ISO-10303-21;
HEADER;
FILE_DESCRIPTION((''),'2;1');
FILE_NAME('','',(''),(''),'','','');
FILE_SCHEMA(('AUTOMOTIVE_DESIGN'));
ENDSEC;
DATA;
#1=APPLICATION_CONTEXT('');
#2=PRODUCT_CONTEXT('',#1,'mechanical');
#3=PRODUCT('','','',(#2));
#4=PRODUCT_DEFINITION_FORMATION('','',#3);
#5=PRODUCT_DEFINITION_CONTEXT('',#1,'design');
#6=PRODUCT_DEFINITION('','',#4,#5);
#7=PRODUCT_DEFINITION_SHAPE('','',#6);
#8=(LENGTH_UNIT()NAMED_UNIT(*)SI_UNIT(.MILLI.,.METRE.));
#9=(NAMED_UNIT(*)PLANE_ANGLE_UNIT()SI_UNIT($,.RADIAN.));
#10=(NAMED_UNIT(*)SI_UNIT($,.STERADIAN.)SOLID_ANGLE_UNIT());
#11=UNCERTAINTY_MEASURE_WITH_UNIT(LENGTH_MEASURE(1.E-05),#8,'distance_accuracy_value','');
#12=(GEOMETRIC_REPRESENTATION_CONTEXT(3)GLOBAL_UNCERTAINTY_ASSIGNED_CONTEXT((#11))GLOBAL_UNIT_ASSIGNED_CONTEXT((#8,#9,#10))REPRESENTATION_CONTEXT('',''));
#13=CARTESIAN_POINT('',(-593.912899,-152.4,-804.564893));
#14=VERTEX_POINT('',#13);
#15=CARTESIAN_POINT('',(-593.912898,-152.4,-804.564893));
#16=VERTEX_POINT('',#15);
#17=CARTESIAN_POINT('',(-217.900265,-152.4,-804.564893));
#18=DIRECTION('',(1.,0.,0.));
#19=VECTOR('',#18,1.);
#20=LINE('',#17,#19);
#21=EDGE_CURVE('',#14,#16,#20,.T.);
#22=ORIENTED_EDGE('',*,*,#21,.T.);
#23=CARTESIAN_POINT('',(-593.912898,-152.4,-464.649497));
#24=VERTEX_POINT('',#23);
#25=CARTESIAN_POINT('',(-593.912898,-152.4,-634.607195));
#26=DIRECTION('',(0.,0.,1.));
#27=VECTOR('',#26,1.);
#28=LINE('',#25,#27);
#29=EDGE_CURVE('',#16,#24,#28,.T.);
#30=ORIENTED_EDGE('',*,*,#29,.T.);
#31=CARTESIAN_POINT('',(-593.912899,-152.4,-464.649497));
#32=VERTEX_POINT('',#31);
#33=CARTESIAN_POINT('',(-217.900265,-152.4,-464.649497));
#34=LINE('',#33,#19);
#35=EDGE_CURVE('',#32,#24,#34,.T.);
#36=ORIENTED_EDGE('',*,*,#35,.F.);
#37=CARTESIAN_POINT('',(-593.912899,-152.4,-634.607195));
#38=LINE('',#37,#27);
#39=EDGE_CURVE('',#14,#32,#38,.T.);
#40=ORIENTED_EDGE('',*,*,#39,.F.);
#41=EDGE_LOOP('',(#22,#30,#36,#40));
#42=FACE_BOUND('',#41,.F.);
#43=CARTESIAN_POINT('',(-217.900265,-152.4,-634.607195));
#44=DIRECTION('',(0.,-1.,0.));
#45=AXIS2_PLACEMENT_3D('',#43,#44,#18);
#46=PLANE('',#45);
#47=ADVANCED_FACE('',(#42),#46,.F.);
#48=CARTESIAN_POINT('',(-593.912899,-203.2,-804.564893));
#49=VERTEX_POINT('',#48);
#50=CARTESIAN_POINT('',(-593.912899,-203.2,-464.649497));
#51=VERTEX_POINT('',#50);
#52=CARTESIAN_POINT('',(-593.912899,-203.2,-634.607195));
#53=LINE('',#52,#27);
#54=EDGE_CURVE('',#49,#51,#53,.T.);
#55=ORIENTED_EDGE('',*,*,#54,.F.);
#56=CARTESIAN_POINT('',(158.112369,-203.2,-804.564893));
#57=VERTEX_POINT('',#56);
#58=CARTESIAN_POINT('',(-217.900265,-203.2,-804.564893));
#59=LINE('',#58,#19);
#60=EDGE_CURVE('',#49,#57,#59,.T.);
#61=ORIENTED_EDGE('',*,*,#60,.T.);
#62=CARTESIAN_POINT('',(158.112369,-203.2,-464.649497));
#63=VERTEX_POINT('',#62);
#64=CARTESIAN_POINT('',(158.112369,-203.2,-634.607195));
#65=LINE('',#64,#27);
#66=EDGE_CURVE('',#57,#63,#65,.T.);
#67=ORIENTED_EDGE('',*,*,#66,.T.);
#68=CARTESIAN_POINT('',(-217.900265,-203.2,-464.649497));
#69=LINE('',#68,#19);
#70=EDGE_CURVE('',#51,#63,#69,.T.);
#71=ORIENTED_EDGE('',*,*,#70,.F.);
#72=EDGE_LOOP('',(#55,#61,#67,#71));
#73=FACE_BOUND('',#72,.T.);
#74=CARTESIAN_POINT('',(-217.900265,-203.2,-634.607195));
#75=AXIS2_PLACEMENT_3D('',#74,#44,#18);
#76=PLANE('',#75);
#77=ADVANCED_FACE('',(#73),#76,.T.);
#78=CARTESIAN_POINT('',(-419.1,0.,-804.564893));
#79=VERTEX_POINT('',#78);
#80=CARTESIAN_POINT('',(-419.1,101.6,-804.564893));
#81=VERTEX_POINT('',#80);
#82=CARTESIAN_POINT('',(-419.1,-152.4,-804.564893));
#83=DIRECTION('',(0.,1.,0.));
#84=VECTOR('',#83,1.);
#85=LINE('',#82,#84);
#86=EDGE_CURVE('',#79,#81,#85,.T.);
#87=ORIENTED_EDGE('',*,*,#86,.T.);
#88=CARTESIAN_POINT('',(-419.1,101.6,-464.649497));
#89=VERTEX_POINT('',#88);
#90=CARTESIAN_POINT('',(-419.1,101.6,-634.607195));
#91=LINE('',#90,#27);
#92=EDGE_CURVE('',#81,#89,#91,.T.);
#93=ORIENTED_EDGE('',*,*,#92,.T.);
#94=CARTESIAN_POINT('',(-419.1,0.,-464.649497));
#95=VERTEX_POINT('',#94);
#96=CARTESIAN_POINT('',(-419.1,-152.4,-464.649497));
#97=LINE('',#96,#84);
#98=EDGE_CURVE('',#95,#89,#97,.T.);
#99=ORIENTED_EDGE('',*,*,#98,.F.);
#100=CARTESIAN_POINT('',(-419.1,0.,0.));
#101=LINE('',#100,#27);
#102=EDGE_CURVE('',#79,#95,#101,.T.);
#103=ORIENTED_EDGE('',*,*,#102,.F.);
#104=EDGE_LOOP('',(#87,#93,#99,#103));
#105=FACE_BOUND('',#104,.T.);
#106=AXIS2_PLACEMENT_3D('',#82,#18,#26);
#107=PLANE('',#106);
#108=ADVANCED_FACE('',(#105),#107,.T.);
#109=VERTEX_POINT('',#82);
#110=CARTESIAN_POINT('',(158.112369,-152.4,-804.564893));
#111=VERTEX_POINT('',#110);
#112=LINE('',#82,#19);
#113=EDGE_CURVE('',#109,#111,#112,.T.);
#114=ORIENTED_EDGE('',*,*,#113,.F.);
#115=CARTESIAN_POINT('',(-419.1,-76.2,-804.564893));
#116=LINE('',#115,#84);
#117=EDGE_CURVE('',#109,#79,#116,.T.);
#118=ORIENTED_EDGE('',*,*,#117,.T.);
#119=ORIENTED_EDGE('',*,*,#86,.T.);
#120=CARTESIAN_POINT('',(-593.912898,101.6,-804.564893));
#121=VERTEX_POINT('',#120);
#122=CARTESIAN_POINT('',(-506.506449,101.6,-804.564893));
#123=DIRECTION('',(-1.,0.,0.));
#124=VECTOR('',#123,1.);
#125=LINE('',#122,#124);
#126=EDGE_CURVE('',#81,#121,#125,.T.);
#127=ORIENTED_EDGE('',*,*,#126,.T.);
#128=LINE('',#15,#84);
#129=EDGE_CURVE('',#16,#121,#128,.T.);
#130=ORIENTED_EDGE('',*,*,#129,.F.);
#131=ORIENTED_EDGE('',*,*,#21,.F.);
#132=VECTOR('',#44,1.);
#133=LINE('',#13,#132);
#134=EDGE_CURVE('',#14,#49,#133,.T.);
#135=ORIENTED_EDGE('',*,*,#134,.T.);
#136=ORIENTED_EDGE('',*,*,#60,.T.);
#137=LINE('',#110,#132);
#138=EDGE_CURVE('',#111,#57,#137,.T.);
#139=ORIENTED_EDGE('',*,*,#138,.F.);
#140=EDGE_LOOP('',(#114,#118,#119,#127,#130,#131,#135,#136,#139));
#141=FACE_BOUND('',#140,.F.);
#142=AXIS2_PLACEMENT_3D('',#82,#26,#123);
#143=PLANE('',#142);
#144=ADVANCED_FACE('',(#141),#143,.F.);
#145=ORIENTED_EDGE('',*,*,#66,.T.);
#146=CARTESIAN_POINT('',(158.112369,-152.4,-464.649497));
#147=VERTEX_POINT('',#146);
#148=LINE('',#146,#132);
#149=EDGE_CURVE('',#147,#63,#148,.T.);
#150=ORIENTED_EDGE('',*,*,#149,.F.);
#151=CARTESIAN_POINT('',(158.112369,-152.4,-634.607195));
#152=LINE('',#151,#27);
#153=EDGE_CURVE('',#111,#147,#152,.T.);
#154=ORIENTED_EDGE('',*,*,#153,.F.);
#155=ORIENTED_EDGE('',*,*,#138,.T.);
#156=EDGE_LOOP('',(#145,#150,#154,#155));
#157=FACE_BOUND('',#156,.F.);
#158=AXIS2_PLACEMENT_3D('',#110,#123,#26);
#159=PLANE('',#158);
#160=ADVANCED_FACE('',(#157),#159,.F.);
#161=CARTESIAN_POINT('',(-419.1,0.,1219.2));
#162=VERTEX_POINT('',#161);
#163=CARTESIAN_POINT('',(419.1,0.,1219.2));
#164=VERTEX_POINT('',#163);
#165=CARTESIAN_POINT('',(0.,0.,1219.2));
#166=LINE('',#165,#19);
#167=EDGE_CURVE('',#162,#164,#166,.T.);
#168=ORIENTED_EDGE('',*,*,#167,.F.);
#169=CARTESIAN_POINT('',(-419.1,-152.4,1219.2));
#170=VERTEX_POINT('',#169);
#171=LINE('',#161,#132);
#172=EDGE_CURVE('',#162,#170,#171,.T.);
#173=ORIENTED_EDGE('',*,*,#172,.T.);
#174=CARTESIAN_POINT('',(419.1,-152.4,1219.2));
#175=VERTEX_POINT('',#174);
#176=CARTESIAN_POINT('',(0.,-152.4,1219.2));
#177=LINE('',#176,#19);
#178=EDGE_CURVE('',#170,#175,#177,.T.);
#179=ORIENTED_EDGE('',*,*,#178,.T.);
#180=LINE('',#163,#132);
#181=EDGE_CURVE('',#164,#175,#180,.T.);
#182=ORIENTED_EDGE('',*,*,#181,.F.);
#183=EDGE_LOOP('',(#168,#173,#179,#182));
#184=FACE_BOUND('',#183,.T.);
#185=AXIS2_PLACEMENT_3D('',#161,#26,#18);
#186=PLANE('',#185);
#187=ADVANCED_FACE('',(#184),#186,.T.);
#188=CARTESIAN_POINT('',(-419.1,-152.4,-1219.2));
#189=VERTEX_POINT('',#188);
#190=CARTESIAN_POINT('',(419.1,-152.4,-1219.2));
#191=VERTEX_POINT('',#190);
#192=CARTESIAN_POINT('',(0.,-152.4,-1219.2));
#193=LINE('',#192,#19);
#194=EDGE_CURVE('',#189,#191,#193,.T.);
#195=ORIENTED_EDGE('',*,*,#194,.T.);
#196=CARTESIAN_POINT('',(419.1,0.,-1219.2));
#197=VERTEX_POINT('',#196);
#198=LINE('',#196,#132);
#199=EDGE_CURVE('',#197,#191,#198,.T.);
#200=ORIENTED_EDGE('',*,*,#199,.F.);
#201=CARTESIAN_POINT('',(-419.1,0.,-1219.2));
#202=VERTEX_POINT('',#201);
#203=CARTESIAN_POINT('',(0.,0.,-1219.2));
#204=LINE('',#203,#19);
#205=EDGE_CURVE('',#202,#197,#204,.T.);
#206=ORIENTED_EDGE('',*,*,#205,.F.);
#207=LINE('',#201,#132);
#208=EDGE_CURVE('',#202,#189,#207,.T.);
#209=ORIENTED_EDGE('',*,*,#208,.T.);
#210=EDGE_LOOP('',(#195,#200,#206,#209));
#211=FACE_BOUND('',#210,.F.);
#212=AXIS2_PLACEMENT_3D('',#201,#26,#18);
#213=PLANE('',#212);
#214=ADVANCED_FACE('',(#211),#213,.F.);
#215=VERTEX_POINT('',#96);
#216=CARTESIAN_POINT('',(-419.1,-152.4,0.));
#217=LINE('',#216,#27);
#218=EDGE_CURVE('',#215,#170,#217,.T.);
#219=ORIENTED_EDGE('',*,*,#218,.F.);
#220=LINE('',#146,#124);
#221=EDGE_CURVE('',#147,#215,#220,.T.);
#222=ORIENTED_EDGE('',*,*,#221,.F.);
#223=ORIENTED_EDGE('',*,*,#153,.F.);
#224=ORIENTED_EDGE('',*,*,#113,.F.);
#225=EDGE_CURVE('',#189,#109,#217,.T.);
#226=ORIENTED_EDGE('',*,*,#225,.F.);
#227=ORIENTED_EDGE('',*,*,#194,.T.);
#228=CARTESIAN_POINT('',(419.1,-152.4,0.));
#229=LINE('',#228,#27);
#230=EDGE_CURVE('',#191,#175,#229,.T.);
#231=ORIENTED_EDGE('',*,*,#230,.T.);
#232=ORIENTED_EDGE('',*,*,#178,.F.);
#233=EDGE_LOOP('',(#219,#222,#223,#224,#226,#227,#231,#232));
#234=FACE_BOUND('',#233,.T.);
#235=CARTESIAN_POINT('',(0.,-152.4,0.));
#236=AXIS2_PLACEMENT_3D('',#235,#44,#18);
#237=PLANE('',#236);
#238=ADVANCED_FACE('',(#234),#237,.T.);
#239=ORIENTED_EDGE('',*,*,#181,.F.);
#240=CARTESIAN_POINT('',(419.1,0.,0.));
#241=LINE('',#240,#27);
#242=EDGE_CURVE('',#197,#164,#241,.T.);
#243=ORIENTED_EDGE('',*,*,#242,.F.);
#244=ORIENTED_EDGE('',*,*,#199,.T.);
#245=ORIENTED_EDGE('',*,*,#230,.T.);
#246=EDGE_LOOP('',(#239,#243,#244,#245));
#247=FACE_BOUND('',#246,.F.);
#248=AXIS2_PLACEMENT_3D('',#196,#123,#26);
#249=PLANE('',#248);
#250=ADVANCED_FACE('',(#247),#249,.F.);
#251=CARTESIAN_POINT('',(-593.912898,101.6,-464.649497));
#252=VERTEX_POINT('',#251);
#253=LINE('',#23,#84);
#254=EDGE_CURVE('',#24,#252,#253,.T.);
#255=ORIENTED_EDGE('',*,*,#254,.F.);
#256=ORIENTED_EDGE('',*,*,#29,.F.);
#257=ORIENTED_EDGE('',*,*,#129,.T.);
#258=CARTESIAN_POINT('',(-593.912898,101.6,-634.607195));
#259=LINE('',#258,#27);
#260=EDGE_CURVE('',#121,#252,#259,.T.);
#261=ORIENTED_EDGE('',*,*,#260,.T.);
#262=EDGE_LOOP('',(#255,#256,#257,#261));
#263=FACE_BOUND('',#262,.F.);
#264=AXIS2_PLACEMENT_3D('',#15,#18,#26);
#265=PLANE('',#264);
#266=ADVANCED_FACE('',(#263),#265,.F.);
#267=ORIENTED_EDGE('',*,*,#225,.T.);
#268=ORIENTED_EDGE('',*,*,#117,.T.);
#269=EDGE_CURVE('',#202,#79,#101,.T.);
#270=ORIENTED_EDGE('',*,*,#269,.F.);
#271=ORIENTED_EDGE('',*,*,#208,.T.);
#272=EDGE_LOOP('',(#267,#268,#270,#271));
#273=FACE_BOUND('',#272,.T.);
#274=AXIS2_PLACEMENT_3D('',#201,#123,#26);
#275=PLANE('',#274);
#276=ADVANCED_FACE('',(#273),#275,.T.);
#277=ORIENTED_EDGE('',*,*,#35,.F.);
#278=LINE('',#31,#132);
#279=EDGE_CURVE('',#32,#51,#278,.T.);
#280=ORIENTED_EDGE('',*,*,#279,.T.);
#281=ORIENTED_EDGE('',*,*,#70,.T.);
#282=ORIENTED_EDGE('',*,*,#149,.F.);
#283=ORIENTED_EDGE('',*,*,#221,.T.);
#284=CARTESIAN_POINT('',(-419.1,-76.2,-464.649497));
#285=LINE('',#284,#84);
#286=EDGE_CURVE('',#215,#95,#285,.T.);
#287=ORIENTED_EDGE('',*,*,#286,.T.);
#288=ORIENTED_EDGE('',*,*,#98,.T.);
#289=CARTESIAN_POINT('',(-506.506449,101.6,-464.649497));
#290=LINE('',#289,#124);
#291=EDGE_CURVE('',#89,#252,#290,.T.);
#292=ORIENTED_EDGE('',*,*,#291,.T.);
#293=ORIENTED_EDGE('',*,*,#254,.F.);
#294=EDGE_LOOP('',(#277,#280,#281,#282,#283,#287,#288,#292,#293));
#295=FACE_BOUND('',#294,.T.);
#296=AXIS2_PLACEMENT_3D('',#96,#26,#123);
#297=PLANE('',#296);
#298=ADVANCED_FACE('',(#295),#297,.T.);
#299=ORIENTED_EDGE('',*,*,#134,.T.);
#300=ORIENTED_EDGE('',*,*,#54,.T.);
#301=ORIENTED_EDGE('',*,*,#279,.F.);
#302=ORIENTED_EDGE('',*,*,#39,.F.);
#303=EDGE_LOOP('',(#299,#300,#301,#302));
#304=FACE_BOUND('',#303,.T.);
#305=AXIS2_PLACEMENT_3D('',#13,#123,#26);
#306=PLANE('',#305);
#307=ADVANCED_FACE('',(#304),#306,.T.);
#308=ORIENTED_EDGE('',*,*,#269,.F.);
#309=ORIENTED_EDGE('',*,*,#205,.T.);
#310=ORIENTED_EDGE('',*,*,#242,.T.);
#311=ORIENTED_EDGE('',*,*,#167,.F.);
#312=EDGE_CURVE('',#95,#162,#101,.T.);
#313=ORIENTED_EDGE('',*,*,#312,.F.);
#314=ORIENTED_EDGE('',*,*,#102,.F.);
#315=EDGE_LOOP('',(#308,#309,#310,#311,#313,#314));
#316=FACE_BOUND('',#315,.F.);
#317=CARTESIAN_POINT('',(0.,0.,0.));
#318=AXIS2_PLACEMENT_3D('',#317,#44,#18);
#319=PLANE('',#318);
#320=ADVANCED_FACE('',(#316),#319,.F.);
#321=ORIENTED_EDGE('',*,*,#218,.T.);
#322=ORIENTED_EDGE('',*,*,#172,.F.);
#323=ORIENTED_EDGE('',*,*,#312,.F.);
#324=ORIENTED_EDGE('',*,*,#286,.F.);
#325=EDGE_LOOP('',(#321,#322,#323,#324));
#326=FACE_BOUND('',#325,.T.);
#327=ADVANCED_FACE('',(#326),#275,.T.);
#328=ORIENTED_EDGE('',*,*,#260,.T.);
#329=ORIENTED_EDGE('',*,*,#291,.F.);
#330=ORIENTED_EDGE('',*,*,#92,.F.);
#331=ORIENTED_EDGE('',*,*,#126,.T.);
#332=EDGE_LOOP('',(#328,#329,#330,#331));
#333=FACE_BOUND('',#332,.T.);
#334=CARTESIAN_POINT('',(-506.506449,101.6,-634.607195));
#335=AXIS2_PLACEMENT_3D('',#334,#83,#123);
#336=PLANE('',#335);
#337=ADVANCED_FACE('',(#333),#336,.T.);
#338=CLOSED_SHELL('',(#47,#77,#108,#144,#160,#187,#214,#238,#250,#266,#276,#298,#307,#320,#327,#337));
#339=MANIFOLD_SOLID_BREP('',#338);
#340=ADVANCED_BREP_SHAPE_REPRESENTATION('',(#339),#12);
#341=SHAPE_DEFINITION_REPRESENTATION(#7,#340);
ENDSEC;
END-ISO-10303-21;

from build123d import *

# Parameters (mm, degrees)
F0_W     = 838.2
F0_H     = 2438.4
F1_DEPTH = 152.4
F2_W     = 752.025268
F2_H     = 339.915395
F3_DEPTH = 50.8
F4_W     = 174.812899
F4_H     = 339.915395
F5_DEPTH = 254


with BuildPart() as f1:
    # F0 (on Front) → F1 (new body)
    with BuildSketch(Plane.XZ):
        Rectangle(F0_W, F0_H)
    extrude(amount=F1_DEPTH)

    # F2 (on face) → F3 (join)
    with BuildSketch(Plane.XZ.offset(152.4)):
        with Locations((-217.900265, -634.607195)):
            Rectangle(F2_W, F2_H)
    extrude(amount=F3_DEPTH)

    # F4 (on face) → F5 (join)
    with BuildSketch(Plane(origin=(0, -152.4, 0), x_dir=(-1, 0, 0), z_dir=(0, 1, 0))):
        with Locations((506.506449, -634.607195)):
            Rectangle(F4_W, F4_H)
    extrude(amount=F5_DEPTH)


solid = f1.part
